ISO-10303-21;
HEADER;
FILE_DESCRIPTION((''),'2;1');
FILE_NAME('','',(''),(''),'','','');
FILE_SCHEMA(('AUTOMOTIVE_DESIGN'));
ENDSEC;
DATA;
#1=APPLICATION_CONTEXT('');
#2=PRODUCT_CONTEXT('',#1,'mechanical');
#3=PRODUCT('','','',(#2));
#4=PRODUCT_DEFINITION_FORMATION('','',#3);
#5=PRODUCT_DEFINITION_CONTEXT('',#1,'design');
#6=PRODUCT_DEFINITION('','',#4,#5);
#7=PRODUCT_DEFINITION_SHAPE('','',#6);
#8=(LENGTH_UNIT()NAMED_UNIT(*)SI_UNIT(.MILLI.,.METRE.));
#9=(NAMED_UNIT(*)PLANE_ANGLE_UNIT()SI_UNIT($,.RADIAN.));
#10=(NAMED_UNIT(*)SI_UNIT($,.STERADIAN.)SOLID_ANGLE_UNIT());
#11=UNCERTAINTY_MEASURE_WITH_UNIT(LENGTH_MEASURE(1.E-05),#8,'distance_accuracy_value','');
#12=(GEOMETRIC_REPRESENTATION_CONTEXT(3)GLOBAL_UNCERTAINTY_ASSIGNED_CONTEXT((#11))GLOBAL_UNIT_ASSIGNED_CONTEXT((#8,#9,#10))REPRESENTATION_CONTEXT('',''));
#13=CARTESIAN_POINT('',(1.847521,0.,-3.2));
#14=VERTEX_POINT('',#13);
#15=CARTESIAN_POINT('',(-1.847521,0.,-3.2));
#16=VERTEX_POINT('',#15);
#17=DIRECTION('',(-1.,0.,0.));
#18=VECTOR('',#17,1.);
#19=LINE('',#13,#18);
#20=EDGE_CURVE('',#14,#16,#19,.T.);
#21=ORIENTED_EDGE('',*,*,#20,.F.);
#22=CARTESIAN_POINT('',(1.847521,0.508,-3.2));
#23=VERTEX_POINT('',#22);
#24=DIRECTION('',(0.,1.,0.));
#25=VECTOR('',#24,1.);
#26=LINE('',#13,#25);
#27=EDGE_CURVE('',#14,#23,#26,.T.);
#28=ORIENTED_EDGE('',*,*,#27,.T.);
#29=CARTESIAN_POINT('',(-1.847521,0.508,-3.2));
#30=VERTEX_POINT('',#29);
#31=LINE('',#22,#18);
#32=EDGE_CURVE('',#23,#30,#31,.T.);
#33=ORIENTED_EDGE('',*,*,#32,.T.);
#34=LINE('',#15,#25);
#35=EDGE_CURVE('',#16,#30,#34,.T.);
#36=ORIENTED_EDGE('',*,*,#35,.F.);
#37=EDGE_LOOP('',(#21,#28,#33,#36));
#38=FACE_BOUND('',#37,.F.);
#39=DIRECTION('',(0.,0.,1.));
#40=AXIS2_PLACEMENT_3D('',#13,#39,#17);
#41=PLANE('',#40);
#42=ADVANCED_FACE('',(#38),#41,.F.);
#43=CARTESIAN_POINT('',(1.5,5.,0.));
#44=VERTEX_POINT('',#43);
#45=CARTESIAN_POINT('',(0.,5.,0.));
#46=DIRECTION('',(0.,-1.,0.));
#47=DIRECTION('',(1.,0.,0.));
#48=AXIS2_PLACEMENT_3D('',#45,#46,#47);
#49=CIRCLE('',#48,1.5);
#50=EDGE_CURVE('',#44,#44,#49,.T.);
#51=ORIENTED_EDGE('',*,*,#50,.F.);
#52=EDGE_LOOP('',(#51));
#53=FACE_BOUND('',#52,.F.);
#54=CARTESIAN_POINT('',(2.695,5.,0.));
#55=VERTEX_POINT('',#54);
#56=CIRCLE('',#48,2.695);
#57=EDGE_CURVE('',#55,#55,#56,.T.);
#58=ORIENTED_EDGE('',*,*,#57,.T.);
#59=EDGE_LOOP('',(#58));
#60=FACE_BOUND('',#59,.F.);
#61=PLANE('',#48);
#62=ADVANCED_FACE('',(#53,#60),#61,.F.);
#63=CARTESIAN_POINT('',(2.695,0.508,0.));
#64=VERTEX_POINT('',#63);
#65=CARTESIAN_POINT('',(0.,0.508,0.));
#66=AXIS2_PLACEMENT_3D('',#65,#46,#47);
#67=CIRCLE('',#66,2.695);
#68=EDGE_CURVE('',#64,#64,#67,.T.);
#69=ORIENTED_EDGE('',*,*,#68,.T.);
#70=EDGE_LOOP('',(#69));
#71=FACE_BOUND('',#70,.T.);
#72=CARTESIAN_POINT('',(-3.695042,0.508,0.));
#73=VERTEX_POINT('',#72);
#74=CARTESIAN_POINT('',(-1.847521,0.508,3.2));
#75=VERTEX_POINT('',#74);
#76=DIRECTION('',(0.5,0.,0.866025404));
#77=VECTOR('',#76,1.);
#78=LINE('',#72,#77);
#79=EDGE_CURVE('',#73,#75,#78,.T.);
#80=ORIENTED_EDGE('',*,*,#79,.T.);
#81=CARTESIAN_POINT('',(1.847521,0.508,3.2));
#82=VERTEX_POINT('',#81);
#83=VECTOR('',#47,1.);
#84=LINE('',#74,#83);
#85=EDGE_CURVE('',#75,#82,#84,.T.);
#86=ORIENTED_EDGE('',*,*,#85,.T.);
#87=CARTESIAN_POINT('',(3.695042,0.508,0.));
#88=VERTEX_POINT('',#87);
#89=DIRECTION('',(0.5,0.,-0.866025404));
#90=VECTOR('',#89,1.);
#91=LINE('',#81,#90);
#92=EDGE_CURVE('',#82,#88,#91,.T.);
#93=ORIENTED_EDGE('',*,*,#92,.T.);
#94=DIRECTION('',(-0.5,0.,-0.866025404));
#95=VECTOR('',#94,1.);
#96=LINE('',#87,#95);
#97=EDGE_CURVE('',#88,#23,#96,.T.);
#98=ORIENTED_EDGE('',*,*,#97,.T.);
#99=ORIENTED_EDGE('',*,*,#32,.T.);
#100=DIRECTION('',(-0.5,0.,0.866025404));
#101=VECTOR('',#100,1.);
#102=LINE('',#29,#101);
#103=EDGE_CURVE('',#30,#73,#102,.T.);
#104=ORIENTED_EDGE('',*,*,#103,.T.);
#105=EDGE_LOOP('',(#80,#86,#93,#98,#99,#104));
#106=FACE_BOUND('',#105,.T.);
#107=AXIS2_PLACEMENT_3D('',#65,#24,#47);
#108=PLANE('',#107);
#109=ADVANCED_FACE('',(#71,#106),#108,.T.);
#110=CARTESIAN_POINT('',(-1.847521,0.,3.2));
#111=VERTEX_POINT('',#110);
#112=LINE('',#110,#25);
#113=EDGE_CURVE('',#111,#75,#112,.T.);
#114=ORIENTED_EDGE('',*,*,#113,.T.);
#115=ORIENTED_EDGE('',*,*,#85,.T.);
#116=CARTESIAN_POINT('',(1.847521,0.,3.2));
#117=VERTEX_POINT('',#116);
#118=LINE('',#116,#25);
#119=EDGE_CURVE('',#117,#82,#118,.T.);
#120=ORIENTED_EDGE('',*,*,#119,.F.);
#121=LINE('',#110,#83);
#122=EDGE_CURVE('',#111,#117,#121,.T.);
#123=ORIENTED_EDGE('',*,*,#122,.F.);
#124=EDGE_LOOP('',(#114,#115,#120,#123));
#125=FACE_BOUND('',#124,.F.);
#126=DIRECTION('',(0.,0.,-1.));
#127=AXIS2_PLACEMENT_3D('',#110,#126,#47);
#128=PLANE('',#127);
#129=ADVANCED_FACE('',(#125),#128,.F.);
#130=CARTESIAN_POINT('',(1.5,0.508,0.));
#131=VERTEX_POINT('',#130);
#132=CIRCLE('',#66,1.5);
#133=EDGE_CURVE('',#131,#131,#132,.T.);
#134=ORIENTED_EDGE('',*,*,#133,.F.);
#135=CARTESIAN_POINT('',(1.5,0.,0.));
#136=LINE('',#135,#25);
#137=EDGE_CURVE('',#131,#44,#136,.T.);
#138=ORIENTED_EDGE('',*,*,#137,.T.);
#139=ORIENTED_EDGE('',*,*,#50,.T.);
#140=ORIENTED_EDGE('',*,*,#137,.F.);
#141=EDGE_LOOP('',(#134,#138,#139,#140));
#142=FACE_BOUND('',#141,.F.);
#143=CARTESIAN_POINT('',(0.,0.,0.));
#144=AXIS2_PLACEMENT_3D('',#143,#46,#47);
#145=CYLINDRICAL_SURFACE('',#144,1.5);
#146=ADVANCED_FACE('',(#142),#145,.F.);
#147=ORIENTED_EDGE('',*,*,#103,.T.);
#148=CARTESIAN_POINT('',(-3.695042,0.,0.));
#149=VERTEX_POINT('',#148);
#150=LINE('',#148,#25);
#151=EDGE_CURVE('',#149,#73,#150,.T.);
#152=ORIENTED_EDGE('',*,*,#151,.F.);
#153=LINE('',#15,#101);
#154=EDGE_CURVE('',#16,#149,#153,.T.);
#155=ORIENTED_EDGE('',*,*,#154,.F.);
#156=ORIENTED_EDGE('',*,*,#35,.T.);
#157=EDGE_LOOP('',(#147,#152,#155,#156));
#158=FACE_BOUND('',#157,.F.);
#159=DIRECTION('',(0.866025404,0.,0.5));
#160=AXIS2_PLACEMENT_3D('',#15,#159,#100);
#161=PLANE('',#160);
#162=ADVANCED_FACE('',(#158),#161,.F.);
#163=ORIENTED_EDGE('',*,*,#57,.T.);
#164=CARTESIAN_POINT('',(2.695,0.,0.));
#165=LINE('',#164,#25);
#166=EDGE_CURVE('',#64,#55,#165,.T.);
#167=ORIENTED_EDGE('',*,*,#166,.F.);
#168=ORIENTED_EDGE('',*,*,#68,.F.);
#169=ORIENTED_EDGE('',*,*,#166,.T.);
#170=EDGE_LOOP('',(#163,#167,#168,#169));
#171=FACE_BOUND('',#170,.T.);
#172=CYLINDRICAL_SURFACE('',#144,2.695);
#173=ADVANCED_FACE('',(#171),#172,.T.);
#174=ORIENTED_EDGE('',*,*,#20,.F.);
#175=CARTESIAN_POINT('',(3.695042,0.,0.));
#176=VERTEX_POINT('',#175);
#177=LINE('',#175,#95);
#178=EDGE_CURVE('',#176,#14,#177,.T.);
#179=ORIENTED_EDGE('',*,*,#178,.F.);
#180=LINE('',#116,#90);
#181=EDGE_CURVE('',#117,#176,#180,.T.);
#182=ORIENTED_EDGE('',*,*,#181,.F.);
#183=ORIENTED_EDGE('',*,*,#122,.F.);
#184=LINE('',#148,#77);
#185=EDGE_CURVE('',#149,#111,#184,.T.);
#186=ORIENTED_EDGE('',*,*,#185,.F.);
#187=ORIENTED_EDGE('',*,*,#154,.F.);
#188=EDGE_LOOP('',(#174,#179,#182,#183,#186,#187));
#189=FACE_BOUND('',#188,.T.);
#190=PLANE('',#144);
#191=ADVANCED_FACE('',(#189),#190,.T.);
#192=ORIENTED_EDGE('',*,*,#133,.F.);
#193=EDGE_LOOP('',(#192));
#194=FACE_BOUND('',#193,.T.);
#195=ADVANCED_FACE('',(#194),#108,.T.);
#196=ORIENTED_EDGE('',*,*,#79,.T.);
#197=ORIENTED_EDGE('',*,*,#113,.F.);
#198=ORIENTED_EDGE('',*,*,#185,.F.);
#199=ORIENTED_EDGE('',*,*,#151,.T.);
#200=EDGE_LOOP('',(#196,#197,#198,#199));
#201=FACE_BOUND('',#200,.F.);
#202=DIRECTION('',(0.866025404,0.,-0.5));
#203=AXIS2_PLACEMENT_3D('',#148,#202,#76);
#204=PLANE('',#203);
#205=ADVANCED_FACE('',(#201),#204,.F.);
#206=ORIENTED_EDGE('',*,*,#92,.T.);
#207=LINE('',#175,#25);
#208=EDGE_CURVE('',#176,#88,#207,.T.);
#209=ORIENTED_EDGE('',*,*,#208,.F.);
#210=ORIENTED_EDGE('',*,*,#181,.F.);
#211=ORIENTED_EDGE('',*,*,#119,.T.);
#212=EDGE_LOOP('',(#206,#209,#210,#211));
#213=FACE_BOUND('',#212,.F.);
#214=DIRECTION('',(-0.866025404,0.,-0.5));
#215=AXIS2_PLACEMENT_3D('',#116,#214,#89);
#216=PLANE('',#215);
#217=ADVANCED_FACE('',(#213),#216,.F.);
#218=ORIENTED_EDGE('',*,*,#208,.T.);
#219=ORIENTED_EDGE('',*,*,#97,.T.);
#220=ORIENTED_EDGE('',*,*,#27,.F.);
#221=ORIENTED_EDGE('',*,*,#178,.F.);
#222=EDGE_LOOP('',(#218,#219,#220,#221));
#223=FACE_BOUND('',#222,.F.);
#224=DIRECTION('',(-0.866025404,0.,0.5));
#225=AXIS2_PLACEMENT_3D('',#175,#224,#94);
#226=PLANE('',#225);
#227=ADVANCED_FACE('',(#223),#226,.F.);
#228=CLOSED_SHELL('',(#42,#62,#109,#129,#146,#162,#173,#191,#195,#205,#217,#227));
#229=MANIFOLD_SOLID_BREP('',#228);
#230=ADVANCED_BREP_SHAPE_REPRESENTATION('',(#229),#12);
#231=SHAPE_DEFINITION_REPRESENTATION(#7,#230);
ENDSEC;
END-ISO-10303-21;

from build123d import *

# Parameters (mm, degrees)
BOSS_EXTRUDE1_DEPTH = 0.508
SKETCH2_R           = 2.695
SKETCH2_R_2         = 1.5
BOSS_EXTRUDE2_DEPTH = 5


with BuildPart() as part:
    # Sketch1 → Boss-Extrude1 (new body)
    with BuildSketch(Plane(origin=(0, 0, 0), x_dir=(1, 0, 0), z_dir=(0, 1, 0))):
        Polygon((1.847520861, -3.2), (3.695041723, 0), (1.847520861, 3.2), (-1.847520861, 3.2), (-3.695041723, 0), (-1.847520861, -3.2), align=None)
    extrude(amount=BOSS_EXTRUDE1_DEPTH)

    # Sketch2 → Boss-Extrude2 (add)
    with BuildSketch(Plane.XZ):
        Circle(SKETCH2_R)
        Circle(SKETCH2_R_2, mode=Mode.SUBTRACT)
    extrude(amount=-BOSS_EXTRUDE2_DEPTH)


solid = part.part
